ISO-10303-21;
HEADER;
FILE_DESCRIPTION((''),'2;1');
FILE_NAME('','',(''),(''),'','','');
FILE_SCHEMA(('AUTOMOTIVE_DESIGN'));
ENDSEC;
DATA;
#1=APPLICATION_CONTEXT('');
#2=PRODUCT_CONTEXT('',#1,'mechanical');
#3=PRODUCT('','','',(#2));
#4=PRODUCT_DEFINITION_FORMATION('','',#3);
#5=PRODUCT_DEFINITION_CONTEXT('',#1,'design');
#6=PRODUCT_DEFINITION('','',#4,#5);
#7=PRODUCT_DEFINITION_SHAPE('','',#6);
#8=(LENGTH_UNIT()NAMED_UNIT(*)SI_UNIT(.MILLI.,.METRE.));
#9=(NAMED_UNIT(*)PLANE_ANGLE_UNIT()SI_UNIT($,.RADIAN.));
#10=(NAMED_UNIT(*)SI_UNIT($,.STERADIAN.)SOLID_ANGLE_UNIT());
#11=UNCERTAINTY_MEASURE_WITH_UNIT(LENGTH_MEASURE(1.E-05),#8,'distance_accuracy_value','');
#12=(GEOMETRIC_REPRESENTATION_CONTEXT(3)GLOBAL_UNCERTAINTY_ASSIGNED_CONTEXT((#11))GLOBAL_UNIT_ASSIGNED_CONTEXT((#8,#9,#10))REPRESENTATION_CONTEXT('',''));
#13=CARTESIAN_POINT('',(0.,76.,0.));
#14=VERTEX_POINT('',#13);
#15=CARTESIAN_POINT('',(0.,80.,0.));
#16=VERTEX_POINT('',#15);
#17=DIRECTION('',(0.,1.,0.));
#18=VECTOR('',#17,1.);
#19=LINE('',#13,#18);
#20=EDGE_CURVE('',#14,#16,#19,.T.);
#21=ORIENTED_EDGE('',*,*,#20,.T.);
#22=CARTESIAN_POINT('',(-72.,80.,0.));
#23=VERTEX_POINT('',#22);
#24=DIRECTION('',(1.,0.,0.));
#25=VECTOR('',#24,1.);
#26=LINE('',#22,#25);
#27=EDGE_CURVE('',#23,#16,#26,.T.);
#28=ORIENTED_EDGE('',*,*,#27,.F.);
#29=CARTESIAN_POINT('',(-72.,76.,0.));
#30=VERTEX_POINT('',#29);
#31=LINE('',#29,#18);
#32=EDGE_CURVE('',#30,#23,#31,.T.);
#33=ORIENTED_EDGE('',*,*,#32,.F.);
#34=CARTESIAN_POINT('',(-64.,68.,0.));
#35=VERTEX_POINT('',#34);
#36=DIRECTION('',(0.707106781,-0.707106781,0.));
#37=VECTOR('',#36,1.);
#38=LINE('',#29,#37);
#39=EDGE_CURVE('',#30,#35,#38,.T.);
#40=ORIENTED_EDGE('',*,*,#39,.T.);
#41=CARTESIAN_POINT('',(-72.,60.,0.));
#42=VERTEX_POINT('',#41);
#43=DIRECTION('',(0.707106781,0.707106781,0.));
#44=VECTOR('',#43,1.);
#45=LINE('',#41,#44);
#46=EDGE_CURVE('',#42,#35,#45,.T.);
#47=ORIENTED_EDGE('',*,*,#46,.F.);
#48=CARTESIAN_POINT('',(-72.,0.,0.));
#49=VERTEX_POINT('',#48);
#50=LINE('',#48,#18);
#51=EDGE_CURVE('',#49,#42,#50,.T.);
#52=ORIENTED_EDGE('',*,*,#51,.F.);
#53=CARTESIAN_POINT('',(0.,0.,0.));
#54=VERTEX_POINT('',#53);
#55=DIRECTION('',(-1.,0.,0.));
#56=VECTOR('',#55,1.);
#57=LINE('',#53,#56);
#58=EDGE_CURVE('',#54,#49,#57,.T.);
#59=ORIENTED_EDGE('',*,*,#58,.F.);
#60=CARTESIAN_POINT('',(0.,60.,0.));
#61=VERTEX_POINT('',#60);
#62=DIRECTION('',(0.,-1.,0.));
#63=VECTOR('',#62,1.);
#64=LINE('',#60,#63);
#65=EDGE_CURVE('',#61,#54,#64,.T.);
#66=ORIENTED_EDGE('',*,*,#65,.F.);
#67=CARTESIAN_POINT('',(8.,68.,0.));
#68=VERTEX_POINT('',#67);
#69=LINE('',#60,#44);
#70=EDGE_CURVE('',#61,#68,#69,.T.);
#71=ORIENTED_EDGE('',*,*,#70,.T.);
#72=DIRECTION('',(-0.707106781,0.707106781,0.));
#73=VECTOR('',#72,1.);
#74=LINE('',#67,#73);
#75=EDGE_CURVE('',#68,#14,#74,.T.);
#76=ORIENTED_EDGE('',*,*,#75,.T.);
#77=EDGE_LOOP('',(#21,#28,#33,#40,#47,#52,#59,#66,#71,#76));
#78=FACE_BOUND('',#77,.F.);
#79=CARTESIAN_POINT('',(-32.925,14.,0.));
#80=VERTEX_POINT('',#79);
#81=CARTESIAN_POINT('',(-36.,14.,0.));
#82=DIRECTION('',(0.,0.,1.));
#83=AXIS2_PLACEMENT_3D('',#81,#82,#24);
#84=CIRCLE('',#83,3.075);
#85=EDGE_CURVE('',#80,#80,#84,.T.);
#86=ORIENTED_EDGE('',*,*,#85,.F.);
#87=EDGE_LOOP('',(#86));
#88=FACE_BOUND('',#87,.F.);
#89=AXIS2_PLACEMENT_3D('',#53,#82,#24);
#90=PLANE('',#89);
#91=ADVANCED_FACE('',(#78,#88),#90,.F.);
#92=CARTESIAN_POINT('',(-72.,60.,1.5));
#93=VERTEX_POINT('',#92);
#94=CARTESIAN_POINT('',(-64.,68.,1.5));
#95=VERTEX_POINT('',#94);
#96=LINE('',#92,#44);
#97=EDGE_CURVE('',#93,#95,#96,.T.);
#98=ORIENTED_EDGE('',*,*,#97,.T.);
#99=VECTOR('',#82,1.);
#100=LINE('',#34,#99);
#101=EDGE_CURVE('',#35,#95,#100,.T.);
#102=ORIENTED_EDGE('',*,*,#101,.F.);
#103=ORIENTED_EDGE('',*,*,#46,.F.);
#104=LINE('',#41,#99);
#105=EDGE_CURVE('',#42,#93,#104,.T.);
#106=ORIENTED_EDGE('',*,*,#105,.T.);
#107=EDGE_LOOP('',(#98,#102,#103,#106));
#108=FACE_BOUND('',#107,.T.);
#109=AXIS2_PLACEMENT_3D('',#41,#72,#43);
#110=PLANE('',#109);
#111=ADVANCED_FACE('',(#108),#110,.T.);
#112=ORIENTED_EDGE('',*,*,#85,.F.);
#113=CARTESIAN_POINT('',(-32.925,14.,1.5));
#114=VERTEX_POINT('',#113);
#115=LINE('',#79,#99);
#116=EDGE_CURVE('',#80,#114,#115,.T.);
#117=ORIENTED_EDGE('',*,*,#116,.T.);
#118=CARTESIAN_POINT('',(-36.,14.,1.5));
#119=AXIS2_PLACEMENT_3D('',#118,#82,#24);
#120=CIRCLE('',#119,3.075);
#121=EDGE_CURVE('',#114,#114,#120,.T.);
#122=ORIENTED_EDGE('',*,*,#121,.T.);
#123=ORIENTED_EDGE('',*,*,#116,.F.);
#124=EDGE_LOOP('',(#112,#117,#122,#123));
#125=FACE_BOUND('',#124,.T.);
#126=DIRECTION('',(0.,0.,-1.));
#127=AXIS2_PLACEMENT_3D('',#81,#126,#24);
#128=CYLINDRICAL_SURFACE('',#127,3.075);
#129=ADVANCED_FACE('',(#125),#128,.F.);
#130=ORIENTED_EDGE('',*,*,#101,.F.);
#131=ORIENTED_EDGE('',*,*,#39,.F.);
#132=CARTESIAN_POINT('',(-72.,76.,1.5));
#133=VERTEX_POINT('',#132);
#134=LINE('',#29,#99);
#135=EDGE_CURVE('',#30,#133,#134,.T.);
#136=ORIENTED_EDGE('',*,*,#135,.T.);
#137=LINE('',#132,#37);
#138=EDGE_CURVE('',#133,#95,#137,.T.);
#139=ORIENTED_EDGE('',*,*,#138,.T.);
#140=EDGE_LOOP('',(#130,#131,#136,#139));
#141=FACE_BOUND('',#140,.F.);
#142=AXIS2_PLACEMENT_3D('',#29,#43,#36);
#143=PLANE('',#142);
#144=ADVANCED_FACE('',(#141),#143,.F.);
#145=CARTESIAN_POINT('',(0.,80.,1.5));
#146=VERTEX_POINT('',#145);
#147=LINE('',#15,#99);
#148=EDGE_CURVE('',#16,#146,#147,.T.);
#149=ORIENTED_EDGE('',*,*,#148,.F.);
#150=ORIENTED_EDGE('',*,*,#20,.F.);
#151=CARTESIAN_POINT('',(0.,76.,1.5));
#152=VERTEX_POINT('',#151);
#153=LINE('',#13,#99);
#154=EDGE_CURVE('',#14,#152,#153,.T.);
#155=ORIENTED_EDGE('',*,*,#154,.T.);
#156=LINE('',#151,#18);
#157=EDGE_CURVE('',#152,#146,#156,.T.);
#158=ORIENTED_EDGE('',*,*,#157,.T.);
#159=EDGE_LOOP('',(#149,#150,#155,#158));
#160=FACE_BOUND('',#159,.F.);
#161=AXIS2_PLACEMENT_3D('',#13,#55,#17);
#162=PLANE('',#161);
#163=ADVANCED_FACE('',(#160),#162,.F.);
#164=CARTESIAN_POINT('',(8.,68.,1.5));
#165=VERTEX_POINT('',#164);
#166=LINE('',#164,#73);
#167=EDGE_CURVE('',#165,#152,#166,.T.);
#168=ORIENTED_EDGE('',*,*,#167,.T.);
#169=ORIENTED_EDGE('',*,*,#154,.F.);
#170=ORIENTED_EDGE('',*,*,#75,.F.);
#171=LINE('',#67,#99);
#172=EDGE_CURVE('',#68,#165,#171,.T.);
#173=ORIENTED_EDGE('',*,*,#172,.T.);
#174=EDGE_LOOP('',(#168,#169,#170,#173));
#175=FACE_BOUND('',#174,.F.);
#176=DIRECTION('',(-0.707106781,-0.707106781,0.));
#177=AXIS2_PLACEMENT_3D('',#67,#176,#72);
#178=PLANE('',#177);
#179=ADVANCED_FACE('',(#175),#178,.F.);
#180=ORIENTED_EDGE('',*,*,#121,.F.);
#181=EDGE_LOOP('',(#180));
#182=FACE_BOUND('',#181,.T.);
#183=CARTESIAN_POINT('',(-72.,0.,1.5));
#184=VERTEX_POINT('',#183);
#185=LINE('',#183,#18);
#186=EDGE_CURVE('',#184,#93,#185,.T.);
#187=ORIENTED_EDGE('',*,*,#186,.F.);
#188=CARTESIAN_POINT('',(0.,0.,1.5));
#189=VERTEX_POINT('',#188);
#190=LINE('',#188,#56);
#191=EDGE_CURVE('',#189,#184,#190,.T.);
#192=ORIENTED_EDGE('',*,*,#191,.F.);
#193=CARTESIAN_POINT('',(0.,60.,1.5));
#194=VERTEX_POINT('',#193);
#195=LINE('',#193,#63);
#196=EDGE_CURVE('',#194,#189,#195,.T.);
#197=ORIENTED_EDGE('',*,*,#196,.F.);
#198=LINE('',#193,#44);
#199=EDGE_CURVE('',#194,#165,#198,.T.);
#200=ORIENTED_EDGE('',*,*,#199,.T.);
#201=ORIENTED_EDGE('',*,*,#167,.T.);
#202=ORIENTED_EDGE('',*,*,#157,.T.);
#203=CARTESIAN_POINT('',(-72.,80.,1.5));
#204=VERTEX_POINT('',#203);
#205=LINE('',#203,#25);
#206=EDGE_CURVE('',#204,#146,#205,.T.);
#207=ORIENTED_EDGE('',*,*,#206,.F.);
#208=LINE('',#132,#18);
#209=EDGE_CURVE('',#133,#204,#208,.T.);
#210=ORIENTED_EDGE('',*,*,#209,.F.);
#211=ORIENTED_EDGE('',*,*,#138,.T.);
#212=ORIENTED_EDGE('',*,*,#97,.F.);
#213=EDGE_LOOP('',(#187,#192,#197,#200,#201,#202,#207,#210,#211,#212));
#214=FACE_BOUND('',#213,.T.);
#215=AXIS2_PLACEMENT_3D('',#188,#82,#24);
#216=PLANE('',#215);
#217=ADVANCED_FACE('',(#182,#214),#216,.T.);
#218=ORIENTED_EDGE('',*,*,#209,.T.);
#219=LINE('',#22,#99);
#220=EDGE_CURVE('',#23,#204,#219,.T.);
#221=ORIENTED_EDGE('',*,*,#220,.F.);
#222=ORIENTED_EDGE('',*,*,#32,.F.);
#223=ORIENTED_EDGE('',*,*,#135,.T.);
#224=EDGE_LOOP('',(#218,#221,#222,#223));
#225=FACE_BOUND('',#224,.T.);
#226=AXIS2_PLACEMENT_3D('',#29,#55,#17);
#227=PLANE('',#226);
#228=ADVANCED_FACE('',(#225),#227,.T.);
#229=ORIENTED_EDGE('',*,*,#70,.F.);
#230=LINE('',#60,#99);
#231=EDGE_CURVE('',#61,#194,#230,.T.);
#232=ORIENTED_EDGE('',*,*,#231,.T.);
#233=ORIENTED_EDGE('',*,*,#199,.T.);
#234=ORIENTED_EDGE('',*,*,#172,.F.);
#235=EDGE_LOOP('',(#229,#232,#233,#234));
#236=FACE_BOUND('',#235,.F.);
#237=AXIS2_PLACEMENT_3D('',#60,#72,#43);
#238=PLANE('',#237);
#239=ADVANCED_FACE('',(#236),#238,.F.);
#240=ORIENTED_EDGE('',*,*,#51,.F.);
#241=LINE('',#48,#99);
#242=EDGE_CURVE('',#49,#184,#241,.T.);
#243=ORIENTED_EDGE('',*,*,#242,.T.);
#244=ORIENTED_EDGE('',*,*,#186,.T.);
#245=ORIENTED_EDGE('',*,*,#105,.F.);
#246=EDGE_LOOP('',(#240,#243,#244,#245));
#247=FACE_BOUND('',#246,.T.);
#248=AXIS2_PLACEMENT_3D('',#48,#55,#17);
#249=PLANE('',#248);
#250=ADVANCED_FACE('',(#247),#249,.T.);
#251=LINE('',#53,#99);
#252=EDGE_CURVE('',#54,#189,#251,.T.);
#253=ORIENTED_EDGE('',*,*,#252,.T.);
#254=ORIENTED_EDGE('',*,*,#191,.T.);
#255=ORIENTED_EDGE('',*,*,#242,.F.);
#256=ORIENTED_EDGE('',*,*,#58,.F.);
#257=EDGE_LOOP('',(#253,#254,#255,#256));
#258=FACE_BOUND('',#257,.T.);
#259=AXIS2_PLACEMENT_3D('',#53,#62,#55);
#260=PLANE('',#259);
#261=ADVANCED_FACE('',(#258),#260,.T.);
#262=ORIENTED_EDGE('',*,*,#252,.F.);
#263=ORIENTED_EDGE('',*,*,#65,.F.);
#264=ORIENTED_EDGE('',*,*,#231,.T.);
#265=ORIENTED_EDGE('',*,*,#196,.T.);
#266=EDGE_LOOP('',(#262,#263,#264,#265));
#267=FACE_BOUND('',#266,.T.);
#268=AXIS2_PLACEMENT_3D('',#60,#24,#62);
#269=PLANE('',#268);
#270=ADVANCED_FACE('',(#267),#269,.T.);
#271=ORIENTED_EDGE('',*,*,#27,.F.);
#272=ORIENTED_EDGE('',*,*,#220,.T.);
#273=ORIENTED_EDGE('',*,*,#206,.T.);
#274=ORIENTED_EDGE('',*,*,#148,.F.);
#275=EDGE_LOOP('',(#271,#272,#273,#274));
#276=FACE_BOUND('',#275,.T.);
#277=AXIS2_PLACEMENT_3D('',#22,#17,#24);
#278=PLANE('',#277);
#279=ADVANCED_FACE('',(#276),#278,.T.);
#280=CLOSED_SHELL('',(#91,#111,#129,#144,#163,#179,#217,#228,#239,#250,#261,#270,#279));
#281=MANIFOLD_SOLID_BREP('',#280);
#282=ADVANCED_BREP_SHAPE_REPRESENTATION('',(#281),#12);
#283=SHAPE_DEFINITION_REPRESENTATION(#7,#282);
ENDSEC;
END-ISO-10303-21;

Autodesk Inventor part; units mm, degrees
ref_plane "YZ Plane" through (0, 0, 0) normal (1, 0, 0) x (0, 1, 0)
ref_plane "XZ Plane" through (0, 0, 0) normal (0, 1, 0) x (-1, 0, 0)
ref_plane "XY Plane" through (0, 0, 0) normal (0, 0, 1) x (1, 0, 0)
sketch "Sketch1" plane through (0, 0, 0) normal (0, 0, 1) x (1, 0, 0)
  line L0 (0, 0) -> (-72, 0)
  circle A0 centre (-72, 68) radius 8 construction
  line L1 (-72, 60) -> (0, 60) construction
  line L2 (-72, 76) -> (-64, 68)
  line L3 (-72, 60) -> (-64, 68)
  line L4 (0, 60) -> (0, 0)
  line L5 (-72, 0) -> (-72, 60)
  line L6 (-72, 76) -> (-72, 80)
  line L7 (0, 76) -> (0, 80)
  line L8 (-72, 80) -> (0, 80)
  line L9 (-72, 76) -> (11.0791, 76) construction
  line L10 (-64, 68) -> (11.3495, 68) construction
  line L11 (-72, 60) -> (22.6598, 60) construction
  circle A1 centre (0, 68) radius 8 construction
  line L12 (0, 60) -> (8, 68)
  line L13 (8, 68) -> (0, 76)
  line L14 (-36, 0) -> (-36, 14) construction
  circle A2 centre (-36, 14) radius 3.075
  point P0 (0, 0)
  point P1 (0, 78)
  point P2 (-72, 78)
  dimension "d0" = 80
  dimension "d2" = 60
  dimension "d3" = 0
  dimension "d4" = 0
  dimension "d5" = 72
  dimension "d8" = 14
  dimension "d9" = 6.15
  dimension "d12" = 36
extrude "Extrusion2" add sketch "Sketch1" along normal blind 1.5
properties part number "MS_RI_black_v3"
